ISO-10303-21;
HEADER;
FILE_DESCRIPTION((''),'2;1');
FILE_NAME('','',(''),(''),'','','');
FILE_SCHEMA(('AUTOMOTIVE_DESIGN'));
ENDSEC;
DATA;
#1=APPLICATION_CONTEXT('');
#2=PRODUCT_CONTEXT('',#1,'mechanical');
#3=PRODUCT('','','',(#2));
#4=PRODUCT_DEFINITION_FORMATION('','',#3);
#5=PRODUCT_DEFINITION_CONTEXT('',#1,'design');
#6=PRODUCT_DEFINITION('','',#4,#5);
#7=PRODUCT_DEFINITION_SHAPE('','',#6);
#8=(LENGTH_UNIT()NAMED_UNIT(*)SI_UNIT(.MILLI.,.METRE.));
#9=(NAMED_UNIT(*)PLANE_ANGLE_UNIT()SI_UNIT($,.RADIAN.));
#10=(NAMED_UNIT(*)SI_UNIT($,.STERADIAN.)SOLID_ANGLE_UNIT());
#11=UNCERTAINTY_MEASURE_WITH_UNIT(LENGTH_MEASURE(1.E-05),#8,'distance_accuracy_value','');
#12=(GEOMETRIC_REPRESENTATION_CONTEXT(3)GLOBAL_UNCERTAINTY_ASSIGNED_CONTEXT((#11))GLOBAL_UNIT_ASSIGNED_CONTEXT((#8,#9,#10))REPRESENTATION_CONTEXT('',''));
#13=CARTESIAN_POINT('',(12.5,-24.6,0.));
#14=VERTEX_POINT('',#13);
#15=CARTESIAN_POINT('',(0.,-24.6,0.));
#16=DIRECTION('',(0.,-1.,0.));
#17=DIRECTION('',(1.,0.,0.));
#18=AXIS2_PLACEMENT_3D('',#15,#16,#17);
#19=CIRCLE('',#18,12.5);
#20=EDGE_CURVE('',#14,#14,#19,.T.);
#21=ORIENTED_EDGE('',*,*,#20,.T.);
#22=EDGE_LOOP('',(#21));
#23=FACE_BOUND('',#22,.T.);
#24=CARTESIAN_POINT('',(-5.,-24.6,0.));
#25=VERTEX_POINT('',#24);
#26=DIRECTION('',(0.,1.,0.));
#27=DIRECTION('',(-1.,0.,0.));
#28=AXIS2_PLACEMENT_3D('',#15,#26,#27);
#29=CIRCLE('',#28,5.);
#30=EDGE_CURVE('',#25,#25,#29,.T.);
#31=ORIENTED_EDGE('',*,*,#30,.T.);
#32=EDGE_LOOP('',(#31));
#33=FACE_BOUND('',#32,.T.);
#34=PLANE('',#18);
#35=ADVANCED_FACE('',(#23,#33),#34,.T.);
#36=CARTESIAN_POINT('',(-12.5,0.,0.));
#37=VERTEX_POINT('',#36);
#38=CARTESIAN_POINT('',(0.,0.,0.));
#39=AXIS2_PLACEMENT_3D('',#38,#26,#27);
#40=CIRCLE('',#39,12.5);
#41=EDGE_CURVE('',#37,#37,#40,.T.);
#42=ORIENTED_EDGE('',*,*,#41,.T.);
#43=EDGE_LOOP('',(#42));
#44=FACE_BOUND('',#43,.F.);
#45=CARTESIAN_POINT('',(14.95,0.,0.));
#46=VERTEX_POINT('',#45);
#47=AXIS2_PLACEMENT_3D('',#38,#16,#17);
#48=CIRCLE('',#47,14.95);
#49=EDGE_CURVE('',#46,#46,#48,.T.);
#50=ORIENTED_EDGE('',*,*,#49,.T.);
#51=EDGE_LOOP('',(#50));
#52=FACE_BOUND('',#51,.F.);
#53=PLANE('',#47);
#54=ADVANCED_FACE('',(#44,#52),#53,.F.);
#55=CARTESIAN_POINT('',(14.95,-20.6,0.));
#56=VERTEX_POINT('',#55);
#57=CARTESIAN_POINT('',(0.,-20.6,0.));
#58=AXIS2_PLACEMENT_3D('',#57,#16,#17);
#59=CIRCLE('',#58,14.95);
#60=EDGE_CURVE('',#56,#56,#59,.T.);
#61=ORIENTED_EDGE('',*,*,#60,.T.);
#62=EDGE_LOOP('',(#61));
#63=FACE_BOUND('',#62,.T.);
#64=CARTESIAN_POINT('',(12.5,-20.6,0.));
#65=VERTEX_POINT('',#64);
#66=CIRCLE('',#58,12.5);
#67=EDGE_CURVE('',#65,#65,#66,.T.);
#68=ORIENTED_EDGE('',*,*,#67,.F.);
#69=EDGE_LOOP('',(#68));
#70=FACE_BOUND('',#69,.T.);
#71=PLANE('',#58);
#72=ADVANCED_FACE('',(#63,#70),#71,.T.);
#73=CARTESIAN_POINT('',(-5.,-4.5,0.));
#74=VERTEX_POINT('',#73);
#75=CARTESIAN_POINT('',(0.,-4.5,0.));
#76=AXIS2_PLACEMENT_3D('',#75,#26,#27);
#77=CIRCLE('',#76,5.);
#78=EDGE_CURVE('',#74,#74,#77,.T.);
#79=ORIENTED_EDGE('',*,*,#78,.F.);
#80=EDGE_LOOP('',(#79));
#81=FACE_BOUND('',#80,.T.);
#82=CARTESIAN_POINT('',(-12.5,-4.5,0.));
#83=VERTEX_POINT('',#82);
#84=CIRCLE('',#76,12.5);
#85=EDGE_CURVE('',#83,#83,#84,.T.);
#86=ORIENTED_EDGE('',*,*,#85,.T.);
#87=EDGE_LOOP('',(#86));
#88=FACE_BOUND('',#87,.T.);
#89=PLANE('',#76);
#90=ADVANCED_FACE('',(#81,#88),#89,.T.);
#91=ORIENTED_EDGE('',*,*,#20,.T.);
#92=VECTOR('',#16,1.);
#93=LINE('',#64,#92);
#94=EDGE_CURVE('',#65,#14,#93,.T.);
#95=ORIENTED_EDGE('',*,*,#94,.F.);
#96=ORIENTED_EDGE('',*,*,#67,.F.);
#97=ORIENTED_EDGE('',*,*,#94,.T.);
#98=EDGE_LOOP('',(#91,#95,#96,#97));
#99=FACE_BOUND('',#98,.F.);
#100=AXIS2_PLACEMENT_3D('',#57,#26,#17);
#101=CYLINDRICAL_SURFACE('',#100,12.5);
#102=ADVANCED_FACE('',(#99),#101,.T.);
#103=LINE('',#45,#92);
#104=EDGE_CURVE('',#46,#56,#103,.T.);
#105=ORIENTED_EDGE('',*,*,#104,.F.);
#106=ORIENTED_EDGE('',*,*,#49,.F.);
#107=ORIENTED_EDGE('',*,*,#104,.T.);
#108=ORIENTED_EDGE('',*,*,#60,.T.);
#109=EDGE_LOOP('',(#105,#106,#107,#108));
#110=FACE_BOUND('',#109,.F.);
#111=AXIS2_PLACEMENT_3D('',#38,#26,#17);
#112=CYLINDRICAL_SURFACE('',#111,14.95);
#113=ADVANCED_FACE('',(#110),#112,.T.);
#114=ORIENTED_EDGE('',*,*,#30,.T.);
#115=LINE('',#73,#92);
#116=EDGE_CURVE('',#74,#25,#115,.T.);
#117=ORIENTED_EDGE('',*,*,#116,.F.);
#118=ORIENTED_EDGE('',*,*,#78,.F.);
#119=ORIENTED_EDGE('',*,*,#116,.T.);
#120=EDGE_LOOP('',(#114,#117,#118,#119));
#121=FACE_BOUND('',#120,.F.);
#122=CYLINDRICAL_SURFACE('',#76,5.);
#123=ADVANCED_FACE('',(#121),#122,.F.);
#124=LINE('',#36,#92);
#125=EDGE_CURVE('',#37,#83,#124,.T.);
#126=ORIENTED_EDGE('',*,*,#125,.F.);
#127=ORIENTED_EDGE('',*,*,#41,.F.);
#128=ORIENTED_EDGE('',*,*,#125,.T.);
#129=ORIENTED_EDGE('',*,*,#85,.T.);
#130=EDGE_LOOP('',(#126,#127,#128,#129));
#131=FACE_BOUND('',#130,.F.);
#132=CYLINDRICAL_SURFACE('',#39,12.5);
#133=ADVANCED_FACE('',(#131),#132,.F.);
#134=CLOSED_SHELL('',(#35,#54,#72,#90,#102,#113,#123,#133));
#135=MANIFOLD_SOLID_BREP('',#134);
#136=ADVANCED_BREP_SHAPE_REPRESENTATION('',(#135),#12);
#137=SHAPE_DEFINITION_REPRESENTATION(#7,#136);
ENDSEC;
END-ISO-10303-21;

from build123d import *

# Parameters (mm, degrees)
F0_R     = 14.95
F1_DEPTH = 20.6
F2_R     = 12.5
F3_DEPTH = 4
F4_R     = 12.5
F5_DEPTH = 4.5
F6_R     = 5
F7_DEPTH = 25


with BuildPart() as f1:
    # F0 (on Front) → F1 (new body)
    with BuildSketch(Plane.XZ):
        Circle(F0_R)
    extrude(amount=F1_DEPTH)

    # F2 (on face) → F3 (join)
    with BuildSketch(Plane.XZ.offset(20.6)):
        Circle(F2_R)
    extrude(amount=F3_DEPTH)

    # F4 (on face) → F5 (cut)
    with BuildSketch(Plane(origin=(0, 0, 0), x_dir=(-1, 0, 0), z_dir=(0, 1, 0))):
        Circle(F4_R)
    extrude(amount=-F5_DEPTH, mode=Mode.SUBTRACT)

    # F6 (on face) → F7 (cut)
    with BuildSketch(Plane(origin=(0, -4.5, 0), x_dir=(-1, 0, 0), z_dir=(0, 1, 0))):
        Circle(F6_R)
    extrude(amount=-F7_DEPTH, mode=Mode.SUBTRACT)


solid = f1.part
